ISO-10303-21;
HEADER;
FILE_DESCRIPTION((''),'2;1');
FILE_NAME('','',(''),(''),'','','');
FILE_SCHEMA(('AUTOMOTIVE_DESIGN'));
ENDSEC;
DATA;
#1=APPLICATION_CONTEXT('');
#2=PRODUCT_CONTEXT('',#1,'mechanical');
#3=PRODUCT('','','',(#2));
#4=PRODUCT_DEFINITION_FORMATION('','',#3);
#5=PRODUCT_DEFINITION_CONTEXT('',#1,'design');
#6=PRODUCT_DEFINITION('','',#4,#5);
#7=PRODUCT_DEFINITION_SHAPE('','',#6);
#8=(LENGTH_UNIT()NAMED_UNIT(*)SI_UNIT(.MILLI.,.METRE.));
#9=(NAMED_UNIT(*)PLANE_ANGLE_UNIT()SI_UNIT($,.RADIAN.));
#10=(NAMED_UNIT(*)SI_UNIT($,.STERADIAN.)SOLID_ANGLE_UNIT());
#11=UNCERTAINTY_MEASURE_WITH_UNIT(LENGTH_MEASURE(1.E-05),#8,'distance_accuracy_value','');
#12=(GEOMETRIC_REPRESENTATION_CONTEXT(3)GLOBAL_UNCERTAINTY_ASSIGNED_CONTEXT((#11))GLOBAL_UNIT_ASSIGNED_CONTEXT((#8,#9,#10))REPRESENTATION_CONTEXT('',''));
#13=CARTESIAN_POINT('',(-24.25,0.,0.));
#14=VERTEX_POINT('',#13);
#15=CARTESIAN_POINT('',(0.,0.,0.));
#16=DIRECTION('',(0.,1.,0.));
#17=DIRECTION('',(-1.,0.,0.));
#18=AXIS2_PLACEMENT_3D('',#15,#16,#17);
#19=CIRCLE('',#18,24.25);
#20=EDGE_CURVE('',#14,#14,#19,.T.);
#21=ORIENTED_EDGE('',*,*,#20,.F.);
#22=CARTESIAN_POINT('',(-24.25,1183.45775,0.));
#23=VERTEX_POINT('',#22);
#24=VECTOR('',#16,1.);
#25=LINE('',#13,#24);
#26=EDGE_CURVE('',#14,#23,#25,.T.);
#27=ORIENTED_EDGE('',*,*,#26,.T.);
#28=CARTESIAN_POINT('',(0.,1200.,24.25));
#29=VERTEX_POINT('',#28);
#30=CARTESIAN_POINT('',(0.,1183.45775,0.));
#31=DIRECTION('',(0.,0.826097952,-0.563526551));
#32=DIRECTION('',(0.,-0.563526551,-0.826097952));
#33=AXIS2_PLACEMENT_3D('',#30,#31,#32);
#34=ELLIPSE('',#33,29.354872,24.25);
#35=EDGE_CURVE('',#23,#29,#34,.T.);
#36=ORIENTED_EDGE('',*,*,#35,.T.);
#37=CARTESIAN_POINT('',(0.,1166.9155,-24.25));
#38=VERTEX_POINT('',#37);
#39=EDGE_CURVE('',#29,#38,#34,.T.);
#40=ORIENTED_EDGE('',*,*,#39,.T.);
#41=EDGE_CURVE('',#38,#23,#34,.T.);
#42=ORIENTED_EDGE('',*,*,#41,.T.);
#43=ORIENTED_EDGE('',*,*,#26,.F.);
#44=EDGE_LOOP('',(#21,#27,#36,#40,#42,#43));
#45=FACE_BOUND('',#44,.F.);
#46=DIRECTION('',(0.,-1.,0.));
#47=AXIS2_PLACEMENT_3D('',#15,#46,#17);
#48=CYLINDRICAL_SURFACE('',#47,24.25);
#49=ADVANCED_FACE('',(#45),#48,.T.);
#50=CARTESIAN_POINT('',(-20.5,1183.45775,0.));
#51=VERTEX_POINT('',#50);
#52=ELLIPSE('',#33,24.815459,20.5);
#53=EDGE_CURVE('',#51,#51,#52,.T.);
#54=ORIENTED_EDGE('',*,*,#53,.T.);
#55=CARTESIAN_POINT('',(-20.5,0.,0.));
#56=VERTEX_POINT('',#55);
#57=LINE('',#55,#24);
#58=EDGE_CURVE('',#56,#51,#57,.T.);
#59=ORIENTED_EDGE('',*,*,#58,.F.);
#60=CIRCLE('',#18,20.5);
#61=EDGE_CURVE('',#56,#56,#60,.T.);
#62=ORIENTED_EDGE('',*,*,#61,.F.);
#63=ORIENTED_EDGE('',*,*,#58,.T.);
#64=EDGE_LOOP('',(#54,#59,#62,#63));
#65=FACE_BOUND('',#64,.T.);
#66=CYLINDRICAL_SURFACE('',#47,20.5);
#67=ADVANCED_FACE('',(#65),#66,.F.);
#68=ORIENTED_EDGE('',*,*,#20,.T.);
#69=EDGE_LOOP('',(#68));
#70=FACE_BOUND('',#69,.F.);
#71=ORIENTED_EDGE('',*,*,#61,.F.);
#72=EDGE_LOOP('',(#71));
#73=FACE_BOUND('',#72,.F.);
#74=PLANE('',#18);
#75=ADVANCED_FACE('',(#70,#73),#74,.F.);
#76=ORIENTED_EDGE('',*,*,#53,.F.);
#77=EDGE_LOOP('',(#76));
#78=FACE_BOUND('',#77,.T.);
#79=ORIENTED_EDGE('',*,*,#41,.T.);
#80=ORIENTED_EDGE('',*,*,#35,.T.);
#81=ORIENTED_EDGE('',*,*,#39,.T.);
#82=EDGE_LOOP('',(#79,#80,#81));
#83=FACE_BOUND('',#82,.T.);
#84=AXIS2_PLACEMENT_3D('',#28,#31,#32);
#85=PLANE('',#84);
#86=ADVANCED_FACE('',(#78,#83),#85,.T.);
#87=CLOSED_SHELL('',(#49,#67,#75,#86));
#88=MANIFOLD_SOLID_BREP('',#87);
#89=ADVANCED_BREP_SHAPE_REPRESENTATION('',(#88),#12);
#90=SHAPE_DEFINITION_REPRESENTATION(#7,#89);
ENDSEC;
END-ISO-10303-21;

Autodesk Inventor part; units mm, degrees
ref_plane "YZ Plane" through (0, 0, 0) normal (1, 0, 0) x (0, 1, 0)
ref_plane "XY Plane" through (0, 0, 0) normal (0, 0, 1) x (1, 0, 0)
sketch "Sketch1" plane through (0, 0, 0) normal (0, 1, 0) x (-1, 0, 0)
  circle A0 centre (0, 0) radius 24.25
  circle A1 centre (0, 0) radius 20.5
  dimension "d0" = 48.5
  dimension "d1" = 3.75
  dimension "d2" = 41
extrude "Extrusion1" add sketch "Sketch1" along normal blind 1200
sketch "Sketch2" plane through (0, 0, 0) normal (1, 0, 0) x (0, 1, 0)
  line L0 (0, 24.25) -> (1200, 24.25) projected
  line L1 (0, -24.25) -> (1200, -24.25) projected
  line L2 (1200, 24.25) -> (1166.9155, -24.25)
  line L3 (1200, -24.25) -> (1200, 24.25)
  point P0 (0, 0)
  dimension "d5" = 34.3
extrude "skrå ende" cut sketch "Sketch2" along normal through all both and the other way through all
ref_plane "Work Plane3" through (0, 1200, 24.25) normal (0, 1, 0) x (-1, 0, 0)
properties part number "rør" material "Steel"
